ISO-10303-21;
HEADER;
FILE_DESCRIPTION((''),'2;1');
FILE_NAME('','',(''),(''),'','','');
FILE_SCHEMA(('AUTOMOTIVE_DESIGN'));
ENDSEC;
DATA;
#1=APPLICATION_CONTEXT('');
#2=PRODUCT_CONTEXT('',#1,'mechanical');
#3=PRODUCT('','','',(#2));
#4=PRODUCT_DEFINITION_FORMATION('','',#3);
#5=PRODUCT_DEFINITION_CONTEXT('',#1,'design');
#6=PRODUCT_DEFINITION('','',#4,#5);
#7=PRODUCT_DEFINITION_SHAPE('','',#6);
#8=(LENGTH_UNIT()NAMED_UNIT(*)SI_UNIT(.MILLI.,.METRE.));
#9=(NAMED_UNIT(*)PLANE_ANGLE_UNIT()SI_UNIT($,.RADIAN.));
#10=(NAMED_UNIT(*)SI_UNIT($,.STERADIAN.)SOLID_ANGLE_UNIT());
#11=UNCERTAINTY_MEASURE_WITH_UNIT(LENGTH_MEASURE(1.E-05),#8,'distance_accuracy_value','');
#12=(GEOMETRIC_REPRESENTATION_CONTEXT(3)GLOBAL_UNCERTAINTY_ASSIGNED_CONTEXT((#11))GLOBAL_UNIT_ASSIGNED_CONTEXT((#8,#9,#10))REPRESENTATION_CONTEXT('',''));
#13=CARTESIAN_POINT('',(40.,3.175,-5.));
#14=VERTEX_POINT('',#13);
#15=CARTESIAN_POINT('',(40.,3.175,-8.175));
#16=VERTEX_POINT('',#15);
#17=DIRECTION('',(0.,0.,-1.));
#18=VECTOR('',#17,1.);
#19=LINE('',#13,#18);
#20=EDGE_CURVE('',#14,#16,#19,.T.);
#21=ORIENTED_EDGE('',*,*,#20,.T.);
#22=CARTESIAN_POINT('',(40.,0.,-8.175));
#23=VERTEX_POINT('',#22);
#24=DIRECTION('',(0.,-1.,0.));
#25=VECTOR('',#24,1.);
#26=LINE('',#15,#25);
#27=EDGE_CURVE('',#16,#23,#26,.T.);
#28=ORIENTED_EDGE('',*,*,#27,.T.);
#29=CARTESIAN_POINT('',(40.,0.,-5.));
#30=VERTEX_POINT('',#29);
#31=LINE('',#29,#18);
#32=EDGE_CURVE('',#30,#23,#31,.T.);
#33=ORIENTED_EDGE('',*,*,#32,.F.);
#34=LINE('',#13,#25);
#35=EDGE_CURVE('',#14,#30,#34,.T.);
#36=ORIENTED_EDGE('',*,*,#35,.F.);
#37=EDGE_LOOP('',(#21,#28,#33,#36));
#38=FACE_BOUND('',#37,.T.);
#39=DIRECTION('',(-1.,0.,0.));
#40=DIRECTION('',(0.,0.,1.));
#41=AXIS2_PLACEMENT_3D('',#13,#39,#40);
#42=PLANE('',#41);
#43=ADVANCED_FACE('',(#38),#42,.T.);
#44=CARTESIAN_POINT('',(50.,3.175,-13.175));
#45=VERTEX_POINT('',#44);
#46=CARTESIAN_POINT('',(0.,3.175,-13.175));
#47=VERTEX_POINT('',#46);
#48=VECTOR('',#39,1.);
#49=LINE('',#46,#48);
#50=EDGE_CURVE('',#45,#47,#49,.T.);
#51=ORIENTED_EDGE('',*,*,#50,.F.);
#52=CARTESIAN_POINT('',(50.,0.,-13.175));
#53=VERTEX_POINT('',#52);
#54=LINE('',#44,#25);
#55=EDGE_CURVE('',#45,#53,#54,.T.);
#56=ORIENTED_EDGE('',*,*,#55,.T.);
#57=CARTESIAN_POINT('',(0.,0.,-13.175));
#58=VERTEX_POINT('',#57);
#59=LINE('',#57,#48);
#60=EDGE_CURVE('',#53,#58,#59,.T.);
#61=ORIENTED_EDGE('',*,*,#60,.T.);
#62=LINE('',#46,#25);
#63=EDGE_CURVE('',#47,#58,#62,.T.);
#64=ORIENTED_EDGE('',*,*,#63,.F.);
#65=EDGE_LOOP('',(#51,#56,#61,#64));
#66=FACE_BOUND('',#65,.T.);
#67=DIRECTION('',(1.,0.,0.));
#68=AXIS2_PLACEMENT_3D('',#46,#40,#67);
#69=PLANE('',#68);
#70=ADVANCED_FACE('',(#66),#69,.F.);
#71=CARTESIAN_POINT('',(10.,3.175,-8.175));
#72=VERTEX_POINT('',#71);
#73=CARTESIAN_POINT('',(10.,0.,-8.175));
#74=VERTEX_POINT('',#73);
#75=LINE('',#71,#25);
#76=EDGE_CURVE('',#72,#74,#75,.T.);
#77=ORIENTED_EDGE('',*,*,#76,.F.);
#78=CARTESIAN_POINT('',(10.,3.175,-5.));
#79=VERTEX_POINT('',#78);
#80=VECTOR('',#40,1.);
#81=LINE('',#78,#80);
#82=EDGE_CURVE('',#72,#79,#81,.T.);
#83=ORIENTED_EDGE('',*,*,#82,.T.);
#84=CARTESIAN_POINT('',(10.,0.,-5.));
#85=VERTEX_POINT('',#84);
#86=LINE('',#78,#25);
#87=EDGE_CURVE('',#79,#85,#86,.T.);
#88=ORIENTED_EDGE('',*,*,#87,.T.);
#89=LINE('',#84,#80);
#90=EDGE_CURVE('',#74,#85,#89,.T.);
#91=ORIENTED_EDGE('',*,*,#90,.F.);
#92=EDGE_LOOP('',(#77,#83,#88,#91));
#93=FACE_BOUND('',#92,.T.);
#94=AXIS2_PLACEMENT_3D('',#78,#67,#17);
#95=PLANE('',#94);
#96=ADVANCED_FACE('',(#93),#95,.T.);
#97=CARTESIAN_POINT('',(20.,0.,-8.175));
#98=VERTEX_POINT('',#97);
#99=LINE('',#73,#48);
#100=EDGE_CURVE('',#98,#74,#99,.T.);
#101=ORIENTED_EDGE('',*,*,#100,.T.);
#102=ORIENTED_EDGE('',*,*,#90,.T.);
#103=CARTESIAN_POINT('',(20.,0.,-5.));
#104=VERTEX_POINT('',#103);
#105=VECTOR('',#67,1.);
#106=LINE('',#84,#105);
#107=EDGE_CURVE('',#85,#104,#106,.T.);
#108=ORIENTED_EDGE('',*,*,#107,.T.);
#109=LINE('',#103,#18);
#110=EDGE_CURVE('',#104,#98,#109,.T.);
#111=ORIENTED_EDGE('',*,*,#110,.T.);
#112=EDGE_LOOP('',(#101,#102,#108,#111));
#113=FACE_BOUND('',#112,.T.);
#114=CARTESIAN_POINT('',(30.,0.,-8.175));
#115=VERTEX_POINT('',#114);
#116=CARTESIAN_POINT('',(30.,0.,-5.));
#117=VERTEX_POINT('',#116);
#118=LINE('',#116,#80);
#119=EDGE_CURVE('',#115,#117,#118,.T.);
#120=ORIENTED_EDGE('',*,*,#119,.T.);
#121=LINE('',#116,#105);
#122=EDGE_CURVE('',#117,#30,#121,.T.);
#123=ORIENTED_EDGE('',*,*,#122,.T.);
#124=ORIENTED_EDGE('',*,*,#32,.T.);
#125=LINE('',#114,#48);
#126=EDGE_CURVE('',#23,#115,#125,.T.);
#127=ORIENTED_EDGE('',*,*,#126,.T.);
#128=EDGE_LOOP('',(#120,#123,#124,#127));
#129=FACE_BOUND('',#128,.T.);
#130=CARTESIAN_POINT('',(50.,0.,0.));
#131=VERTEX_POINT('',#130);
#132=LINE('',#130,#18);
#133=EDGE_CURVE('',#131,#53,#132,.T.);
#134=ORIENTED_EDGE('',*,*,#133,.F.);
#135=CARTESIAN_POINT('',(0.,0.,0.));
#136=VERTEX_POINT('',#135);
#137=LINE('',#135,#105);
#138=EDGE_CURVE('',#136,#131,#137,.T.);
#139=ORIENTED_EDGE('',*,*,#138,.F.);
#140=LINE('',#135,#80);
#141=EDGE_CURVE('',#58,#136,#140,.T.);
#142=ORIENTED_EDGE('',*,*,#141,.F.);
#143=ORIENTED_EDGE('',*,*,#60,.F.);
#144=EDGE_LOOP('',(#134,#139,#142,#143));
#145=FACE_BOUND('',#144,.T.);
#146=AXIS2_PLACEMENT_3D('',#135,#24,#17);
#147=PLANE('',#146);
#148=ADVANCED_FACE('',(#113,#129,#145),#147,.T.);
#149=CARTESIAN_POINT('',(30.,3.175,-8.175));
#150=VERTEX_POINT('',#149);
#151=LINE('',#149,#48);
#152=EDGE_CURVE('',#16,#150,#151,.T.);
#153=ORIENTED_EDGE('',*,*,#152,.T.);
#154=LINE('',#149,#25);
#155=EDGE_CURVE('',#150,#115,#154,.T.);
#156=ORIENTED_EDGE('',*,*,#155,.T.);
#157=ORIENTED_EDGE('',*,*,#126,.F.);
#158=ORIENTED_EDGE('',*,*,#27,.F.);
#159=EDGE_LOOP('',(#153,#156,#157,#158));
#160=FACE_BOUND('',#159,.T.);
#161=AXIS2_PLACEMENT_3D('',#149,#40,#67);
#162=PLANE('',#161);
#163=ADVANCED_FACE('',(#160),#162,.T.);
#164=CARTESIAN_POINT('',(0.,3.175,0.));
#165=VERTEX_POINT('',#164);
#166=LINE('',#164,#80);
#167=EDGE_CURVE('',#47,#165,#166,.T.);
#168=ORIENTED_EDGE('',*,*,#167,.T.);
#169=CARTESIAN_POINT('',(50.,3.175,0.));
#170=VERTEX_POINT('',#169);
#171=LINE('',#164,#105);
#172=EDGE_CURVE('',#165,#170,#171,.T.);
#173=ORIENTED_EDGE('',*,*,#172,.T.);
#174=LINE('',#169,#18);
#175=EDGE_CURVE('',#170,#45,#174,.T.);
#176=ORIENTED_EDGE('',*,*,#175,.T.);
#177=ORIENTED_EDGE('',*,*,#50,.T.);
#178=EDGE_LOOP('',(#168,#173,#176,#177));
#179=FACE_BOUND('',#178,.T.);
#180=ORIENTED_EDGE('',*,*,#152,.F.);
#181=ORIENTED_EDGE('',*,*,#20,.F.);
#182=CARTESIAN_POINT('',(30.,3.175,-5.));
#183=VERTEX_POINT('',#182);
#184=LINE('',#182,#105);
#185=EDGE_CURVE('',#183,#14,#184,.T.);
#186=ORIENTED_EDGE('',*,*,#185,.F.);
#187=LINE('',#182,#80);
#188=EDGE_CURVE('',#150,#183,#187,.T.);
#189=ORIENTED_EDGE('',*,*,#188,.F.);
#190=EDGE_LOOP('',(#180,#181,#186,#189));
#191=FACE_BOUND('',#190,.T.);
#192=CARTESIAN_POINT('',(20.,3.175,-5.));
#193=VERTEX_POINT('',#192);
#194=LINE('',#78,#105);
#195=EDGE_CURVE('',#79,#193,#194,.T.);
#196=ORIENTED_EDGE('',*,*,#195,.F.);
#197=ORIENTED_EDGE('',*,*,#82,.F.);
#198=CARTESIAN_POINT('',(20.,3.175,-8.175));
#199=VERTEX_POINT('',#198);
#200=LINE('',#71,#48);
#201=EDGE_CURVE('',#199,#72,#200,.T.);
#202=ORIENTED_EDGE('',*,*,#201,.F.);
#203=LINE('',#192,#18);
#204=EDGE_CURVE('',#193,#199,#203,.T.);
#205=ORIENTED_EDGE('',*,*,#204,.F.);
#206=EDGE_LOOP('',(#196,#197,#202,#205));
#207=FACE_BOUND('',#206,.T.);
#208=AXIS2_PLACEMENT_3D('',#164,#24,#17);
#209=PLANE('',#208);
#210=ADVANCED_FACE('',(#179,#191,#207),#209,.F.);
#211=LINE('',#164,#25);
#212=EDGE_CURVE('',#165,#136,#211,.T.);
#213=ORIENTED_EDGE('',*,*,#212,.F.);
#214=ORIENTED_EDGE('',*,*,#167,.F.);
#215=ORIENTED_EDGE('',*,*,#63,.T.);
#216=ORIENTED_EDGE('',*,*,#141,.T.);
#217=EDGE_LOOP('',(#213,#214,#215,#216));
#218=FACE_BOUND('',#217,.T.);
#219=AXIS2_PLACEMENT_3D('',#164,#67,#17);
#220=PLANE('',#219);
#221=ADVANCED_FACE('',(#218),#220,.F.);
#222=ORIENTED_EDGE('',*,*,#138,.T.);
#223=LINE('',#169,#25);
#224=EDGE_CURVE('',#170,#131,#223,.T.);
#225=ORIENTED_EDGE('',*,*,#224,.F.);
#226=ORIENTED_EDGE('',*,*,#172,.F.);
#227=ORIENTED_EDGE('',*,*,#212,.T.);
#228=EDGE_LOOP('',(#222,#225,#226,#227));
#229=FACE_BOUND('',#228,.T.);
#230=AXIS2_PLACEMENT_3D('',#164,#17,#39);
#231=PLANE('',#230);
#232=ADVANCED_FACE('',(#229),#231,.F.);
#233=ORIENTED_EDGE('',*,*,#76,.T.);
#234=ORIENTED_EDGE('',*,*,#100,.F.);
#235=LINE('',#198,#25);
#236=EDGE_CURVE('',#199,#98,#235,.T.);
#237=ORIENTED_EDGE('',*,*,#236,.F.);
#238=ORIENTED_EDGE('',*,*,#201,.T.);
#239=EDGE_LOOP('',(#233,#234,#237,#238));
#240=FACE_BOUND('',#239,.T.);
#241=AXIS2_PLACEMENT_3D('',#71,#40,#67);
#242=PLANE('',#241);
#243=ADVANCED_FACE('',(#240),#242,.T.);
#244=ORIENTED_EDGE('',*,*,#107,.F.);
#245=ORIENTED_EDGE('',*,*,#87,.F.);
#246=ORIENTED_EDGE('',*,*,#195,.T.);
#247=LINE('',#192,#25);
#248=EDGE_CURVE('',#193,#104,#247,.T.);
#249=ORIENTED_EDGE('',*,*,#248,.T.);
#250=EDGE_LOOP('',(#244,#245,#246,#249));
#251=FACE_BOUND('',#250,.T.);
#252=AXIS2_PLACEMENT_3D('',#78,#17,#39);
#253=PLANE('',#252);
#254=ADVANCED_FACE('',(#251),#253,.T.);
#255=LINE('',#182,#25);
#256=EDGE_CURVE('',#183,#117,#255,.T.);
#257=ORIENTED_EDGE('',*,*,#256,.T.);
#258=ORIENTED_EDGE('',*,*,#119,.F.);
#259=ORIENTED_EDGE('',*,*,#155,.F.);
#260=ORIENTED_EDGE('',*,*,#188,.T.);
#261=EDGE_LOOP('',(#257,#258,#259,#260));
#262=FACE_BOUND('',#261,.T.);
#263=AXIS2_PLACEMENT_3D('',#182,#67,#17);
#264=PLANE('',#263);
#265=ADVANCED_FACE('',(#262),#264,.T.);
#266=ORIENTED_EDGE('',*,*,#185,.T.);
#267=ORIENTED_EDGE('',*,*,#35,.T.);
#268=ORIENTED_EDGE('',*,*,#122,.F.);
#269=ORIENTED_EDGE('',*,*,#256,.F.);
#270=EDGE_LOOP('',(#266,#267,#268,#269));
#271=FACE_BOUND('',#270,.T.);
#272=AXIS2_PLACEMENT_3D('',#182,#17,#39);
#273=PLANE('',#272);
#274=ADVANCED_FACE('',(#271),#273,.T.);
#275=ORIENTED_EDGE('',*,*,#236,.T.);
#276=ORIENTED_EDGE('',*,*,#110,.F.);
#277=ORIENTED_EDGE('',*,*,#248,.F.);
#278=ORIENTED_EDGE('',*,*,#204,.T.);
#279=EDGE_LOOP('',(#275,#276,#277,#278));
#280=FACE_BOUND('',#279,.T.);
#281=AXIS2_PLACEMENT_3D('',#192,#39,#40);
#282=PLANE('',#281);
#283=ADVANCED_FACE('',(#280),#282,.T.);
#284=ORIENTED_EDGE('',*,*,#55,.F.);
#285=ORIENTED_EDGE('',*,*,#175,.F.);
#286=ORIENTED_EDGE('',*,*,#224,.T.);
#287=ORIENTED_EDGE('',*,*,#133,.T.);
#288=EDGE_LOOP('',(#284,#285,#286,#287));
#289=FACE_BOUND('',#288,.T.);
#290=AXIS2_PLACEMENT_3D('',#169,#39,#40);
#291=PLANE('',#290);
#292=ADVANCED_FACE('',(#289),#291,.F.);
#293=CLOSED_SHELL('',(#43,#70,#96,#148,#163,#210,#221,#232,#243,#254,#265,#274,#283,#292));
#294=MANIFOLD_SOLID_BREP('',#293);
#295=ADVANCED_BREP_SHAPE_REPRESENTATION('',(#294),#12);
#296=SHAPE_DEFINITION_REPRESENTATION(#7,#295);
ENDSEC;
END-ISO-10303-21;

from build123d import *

# Parameters (mm, degrees)
SKETCH1_W           = 50
SKETCH1_H           = 13.175
SKETCH1_W_2         = 10
SKETCH1_H_2         = 3.175
BOSS_EXTRUDE1_DEPTH = 3.175


with BuildPart() as part:
    # Sketch1 → Boss-Extrude1 (new body)
    with BuildSketch(Plane(origin=(0, 0, 0), x_dir=(1, 0, 0), z_dir=(0, 1, 0))):
        with Locations((25, 6.5875)):
            Rectangle(SKETCH1_W, SKETCH1_H)
        with Locations((35, 6.5875)):
            Rectangle(SKETCH1_W_2, SKETCH1_H_2, mode=Mode.SUBTRACT)
        with Locations((15, 6.5875)):
            Rectangle(SKETCH1_W_2, SKETCH1_H_2, mode=Mode.SUBTRACT)
    extrude(amount=BOSS_EXTRUDE1_DEPTH)


solid = part.part
